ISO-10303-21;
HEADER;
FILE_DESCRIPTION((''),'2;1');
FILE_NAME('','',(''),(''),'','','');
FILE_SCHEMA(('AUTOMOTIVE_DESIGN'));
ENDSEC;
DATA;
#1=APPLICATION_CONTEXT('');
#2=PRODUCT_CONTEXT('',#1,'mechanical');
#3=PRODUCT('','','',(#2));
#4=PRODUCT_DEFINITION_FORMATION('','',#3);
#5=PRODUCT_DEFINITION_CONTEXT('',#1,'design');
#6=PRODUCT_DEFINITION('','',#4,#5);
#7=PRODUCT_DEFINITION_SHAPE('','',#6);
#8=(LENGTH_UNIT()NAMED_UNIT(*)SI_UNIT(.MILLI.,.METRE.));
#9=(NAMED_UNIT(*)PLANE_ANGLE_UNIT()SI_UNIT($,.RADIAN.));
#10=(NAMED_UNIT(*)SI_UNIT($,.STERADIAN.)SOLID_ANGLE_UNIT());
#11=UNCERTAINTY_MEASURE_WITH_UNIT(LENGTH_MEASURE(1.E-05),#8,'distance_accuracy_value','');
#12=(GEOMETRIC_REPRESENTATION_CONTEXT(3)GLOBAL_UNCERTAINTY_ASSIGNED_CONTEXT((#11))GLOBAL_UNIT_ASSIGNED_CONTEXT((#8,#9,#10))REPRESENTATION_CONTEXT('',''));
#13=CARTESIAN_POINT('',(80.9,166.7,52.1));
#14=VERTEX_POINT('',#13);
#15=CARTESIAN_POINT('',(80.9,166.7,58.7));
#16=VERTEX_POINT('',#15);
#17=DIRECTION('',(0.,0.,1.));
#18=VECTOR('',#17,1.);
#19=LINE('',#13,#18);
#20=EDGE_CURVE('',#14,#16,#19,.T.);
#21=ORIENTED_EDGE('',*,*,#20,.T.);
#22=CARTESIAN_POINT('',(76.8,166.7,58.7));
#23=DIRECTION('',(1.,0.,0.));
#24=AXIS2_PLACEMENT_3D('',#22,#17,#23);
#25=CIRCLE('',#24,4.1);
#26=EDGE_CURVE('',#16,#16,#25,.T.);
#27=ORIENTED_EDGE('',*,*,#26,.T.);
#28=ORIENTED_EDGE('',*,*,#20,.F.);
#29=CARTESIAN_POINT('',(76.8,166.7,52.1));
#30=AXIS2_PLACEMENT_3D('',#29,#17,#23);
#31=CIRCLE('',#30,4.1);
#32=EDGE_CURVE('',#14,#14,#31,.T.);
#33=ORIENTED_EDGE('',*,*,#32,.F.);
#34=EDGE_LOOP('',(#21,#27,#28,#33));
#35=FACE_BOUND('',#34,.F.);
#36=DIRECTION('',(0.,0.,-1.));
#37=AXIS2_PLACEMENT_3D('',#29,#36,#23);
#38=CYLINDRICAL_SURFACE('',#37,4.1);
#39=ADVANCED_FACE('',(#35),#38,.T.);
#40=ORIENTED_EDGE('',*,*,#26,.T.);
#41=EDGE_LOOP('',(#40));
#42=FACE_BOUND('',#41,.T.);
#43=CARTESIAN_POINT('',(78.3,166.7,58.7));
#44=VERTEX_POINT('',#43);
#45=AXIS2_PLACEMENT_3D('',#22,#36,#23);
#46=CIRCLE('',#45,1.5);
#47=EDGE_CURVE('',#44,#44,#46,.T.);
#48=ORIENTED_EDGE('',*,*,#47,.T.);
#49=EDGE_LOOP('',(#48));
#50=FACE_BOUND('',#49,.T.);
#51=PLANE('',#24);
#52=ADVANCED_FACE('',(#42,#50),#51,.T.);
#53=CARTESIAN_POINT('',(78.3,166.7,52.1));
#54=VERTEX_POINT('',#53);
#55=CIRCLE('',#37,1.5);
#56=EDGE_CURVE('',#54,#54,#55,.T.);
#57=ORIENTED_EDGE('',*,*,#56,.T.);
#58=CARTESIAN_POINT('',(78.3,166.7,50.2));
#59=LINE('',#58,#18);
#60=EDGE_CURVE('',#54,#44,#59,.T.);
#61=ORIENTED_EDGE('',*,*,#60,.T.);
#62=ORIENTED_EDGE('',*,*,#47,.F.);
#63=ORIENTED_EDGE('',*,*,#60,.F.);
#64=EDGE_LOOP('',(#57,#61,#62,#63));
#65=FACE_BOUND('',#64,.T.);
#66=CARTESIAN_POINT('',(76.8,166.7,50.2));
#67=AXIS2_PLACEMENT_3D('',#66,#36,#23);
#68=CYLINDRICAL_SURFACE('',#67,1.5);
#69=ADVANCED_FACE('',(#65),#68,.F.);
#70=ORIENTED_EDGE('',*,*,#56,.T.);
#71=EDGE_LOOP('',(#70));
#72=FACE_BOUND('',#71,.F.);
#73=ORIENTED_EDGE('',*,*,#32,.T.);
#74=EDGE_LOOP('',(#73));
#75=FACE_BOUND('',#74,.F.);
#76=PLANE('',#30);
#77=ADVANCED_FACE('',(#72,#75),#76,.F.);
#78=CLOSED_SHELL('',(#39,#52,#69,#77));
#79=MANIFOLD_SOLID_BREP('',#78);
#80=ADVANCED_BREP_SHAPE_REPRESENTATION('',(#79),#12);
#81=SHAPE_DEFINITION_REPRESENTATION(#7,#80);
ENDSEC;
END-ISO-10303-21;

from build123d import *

# Parameters (mm, degrees)
CYLINDER221_R     = 1.5
CYLINDER221_DEPTH = 10
CYLINDER222_R     = 4.1
CYLINDER222_DEPTH = 6.6


with BuildPart() as cylinder221:
    # Cylinder221 → Cylinder221 (new body)
    with BuildSketch(Plane.XY.offset(-1.9)):
        Circle(CYLINDER221_R)
    extrude(amount=CYLINDER221_DEPTH)


with BuildPart() as cut160:
    # Cylinder222 → Cylinder222 (new body)
    with BuildSketch(Plane.XY):
        Circle(CYLINDER222_R)
    extrude(amount=CYLINDER222_DEPTH)

    # Cut160: cut Cylinder221
    add(cylinder221.part, mode=Mode.SUBTRACT)


with BuildPart() as cut160_1:
    # Cut160 placement: moved
    add(cut160.part.moved(Location((76.8, 166.7, 52.1))))


solid = cut160_1.part
